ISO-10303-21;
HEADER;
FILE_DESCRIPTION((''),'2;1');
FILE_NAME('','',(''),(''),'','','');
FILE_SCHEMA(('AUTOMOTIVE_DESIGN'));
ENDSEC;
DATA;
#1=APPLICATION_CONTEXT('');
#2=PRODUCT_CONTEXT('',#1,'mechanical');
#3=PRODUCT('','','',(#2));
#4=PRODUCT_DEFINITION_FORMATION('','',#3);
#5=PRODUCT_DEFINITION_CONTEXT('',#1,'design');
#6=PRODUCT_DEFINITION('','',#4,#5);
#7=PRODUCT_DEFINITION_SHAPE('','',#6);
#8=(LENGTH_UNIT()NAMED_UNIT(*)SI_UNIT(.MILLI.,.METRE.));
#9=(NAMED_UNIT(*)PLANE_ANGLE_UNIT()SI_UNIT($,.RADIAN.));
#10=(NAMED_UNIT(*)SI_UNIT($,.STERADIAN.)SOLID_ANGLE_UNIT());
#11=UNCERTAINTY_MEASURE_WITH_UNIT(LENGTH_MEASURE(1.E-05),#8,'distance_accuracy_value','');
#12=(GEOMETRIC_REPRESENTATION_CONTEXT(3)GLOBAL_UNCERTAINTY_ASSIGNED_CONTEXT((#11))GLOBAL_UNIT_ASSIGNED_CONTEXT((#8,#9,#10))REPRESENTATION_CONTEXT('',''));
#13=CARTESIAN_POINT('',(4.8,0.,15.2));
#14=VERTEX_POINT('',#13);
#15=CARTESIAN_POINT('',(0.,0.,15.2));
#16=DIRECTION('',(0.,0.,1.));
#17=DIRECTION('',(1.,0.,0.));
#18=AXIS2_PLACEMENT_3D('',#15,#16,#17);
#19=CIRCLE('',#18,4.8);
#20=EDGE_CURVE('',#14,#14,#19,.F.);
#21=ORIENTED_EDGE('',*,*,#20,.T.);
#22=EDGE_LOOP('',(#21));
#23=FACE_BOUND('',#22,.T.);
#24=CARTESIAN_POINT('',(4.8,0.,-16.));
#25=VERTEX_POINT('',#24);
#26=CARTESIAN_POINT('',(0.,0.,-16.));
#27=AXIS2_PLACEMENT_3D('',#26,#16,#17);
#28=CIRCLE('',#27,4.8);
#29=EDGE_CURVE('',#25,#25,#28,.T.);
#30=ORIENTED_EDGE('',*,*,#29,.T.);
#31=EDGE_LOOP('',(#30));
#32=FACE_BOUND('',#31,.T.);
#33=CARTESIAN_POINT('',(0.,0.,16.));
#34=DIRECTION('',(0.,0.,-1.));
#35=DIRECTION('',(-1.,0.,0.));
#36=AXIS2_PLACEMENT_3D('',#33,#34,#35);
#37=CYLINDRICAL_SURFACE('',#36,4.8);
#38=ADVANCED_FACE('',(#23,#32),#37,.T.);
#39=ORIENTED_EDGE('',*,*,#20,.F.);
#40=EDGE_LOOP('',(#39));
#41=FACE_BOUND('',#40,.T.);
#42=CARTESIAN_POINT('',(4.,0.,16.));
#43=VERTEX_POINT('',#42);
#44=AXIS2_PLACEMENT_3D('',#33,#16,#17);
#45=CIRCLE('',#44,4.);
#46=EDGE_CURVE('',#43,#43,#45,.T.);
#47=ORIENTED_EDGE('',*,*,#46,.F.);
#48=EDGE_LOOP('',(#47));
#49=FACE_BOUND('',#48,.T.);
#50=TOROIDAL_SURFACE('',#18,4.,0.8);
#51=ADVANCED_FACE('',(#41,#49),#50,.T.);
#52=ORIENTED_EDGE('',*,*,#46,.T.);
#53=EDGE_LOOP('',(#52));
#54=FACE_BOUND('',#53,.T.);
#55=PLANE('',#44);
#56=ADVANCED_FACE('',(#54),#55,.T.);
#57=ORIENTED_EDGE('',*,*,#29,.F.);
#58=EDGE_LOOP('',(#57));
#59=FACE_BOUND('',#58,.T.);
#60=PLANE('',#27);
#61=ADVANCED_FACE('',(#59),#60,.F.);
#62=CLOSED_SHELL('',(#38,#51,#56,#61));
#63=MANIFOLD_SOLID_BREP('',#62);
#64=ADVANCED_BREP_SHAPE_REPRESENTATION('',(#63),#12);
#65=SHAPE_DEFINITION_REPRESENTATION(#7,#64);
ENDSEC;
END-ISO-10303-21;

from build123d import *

# Parameters (mm, degrees)
SKETCH1_R           = 4.8
BOSS_EXTRUDE1_DEPTH = 16
FILLET1_R           = 0.8


with BuildPart() as part:
    # Sketch1 → Boss-Extrude1 (new body, symmetric)
    with BuildSketch(Plane.XY):
        Circle(SKETCH1_R)
    extrude(amount=BOSS_EXTRUDE1_DEPTH, both=True)

    # Fillet1
    fillet1_edges = [part.edges().sort_by_distance(p)[0] for p in [
        (-4.8, 0, 16),
    ]]
    fillet(fillet1_edges, radius=FILLET1_R)


solid = part.part
